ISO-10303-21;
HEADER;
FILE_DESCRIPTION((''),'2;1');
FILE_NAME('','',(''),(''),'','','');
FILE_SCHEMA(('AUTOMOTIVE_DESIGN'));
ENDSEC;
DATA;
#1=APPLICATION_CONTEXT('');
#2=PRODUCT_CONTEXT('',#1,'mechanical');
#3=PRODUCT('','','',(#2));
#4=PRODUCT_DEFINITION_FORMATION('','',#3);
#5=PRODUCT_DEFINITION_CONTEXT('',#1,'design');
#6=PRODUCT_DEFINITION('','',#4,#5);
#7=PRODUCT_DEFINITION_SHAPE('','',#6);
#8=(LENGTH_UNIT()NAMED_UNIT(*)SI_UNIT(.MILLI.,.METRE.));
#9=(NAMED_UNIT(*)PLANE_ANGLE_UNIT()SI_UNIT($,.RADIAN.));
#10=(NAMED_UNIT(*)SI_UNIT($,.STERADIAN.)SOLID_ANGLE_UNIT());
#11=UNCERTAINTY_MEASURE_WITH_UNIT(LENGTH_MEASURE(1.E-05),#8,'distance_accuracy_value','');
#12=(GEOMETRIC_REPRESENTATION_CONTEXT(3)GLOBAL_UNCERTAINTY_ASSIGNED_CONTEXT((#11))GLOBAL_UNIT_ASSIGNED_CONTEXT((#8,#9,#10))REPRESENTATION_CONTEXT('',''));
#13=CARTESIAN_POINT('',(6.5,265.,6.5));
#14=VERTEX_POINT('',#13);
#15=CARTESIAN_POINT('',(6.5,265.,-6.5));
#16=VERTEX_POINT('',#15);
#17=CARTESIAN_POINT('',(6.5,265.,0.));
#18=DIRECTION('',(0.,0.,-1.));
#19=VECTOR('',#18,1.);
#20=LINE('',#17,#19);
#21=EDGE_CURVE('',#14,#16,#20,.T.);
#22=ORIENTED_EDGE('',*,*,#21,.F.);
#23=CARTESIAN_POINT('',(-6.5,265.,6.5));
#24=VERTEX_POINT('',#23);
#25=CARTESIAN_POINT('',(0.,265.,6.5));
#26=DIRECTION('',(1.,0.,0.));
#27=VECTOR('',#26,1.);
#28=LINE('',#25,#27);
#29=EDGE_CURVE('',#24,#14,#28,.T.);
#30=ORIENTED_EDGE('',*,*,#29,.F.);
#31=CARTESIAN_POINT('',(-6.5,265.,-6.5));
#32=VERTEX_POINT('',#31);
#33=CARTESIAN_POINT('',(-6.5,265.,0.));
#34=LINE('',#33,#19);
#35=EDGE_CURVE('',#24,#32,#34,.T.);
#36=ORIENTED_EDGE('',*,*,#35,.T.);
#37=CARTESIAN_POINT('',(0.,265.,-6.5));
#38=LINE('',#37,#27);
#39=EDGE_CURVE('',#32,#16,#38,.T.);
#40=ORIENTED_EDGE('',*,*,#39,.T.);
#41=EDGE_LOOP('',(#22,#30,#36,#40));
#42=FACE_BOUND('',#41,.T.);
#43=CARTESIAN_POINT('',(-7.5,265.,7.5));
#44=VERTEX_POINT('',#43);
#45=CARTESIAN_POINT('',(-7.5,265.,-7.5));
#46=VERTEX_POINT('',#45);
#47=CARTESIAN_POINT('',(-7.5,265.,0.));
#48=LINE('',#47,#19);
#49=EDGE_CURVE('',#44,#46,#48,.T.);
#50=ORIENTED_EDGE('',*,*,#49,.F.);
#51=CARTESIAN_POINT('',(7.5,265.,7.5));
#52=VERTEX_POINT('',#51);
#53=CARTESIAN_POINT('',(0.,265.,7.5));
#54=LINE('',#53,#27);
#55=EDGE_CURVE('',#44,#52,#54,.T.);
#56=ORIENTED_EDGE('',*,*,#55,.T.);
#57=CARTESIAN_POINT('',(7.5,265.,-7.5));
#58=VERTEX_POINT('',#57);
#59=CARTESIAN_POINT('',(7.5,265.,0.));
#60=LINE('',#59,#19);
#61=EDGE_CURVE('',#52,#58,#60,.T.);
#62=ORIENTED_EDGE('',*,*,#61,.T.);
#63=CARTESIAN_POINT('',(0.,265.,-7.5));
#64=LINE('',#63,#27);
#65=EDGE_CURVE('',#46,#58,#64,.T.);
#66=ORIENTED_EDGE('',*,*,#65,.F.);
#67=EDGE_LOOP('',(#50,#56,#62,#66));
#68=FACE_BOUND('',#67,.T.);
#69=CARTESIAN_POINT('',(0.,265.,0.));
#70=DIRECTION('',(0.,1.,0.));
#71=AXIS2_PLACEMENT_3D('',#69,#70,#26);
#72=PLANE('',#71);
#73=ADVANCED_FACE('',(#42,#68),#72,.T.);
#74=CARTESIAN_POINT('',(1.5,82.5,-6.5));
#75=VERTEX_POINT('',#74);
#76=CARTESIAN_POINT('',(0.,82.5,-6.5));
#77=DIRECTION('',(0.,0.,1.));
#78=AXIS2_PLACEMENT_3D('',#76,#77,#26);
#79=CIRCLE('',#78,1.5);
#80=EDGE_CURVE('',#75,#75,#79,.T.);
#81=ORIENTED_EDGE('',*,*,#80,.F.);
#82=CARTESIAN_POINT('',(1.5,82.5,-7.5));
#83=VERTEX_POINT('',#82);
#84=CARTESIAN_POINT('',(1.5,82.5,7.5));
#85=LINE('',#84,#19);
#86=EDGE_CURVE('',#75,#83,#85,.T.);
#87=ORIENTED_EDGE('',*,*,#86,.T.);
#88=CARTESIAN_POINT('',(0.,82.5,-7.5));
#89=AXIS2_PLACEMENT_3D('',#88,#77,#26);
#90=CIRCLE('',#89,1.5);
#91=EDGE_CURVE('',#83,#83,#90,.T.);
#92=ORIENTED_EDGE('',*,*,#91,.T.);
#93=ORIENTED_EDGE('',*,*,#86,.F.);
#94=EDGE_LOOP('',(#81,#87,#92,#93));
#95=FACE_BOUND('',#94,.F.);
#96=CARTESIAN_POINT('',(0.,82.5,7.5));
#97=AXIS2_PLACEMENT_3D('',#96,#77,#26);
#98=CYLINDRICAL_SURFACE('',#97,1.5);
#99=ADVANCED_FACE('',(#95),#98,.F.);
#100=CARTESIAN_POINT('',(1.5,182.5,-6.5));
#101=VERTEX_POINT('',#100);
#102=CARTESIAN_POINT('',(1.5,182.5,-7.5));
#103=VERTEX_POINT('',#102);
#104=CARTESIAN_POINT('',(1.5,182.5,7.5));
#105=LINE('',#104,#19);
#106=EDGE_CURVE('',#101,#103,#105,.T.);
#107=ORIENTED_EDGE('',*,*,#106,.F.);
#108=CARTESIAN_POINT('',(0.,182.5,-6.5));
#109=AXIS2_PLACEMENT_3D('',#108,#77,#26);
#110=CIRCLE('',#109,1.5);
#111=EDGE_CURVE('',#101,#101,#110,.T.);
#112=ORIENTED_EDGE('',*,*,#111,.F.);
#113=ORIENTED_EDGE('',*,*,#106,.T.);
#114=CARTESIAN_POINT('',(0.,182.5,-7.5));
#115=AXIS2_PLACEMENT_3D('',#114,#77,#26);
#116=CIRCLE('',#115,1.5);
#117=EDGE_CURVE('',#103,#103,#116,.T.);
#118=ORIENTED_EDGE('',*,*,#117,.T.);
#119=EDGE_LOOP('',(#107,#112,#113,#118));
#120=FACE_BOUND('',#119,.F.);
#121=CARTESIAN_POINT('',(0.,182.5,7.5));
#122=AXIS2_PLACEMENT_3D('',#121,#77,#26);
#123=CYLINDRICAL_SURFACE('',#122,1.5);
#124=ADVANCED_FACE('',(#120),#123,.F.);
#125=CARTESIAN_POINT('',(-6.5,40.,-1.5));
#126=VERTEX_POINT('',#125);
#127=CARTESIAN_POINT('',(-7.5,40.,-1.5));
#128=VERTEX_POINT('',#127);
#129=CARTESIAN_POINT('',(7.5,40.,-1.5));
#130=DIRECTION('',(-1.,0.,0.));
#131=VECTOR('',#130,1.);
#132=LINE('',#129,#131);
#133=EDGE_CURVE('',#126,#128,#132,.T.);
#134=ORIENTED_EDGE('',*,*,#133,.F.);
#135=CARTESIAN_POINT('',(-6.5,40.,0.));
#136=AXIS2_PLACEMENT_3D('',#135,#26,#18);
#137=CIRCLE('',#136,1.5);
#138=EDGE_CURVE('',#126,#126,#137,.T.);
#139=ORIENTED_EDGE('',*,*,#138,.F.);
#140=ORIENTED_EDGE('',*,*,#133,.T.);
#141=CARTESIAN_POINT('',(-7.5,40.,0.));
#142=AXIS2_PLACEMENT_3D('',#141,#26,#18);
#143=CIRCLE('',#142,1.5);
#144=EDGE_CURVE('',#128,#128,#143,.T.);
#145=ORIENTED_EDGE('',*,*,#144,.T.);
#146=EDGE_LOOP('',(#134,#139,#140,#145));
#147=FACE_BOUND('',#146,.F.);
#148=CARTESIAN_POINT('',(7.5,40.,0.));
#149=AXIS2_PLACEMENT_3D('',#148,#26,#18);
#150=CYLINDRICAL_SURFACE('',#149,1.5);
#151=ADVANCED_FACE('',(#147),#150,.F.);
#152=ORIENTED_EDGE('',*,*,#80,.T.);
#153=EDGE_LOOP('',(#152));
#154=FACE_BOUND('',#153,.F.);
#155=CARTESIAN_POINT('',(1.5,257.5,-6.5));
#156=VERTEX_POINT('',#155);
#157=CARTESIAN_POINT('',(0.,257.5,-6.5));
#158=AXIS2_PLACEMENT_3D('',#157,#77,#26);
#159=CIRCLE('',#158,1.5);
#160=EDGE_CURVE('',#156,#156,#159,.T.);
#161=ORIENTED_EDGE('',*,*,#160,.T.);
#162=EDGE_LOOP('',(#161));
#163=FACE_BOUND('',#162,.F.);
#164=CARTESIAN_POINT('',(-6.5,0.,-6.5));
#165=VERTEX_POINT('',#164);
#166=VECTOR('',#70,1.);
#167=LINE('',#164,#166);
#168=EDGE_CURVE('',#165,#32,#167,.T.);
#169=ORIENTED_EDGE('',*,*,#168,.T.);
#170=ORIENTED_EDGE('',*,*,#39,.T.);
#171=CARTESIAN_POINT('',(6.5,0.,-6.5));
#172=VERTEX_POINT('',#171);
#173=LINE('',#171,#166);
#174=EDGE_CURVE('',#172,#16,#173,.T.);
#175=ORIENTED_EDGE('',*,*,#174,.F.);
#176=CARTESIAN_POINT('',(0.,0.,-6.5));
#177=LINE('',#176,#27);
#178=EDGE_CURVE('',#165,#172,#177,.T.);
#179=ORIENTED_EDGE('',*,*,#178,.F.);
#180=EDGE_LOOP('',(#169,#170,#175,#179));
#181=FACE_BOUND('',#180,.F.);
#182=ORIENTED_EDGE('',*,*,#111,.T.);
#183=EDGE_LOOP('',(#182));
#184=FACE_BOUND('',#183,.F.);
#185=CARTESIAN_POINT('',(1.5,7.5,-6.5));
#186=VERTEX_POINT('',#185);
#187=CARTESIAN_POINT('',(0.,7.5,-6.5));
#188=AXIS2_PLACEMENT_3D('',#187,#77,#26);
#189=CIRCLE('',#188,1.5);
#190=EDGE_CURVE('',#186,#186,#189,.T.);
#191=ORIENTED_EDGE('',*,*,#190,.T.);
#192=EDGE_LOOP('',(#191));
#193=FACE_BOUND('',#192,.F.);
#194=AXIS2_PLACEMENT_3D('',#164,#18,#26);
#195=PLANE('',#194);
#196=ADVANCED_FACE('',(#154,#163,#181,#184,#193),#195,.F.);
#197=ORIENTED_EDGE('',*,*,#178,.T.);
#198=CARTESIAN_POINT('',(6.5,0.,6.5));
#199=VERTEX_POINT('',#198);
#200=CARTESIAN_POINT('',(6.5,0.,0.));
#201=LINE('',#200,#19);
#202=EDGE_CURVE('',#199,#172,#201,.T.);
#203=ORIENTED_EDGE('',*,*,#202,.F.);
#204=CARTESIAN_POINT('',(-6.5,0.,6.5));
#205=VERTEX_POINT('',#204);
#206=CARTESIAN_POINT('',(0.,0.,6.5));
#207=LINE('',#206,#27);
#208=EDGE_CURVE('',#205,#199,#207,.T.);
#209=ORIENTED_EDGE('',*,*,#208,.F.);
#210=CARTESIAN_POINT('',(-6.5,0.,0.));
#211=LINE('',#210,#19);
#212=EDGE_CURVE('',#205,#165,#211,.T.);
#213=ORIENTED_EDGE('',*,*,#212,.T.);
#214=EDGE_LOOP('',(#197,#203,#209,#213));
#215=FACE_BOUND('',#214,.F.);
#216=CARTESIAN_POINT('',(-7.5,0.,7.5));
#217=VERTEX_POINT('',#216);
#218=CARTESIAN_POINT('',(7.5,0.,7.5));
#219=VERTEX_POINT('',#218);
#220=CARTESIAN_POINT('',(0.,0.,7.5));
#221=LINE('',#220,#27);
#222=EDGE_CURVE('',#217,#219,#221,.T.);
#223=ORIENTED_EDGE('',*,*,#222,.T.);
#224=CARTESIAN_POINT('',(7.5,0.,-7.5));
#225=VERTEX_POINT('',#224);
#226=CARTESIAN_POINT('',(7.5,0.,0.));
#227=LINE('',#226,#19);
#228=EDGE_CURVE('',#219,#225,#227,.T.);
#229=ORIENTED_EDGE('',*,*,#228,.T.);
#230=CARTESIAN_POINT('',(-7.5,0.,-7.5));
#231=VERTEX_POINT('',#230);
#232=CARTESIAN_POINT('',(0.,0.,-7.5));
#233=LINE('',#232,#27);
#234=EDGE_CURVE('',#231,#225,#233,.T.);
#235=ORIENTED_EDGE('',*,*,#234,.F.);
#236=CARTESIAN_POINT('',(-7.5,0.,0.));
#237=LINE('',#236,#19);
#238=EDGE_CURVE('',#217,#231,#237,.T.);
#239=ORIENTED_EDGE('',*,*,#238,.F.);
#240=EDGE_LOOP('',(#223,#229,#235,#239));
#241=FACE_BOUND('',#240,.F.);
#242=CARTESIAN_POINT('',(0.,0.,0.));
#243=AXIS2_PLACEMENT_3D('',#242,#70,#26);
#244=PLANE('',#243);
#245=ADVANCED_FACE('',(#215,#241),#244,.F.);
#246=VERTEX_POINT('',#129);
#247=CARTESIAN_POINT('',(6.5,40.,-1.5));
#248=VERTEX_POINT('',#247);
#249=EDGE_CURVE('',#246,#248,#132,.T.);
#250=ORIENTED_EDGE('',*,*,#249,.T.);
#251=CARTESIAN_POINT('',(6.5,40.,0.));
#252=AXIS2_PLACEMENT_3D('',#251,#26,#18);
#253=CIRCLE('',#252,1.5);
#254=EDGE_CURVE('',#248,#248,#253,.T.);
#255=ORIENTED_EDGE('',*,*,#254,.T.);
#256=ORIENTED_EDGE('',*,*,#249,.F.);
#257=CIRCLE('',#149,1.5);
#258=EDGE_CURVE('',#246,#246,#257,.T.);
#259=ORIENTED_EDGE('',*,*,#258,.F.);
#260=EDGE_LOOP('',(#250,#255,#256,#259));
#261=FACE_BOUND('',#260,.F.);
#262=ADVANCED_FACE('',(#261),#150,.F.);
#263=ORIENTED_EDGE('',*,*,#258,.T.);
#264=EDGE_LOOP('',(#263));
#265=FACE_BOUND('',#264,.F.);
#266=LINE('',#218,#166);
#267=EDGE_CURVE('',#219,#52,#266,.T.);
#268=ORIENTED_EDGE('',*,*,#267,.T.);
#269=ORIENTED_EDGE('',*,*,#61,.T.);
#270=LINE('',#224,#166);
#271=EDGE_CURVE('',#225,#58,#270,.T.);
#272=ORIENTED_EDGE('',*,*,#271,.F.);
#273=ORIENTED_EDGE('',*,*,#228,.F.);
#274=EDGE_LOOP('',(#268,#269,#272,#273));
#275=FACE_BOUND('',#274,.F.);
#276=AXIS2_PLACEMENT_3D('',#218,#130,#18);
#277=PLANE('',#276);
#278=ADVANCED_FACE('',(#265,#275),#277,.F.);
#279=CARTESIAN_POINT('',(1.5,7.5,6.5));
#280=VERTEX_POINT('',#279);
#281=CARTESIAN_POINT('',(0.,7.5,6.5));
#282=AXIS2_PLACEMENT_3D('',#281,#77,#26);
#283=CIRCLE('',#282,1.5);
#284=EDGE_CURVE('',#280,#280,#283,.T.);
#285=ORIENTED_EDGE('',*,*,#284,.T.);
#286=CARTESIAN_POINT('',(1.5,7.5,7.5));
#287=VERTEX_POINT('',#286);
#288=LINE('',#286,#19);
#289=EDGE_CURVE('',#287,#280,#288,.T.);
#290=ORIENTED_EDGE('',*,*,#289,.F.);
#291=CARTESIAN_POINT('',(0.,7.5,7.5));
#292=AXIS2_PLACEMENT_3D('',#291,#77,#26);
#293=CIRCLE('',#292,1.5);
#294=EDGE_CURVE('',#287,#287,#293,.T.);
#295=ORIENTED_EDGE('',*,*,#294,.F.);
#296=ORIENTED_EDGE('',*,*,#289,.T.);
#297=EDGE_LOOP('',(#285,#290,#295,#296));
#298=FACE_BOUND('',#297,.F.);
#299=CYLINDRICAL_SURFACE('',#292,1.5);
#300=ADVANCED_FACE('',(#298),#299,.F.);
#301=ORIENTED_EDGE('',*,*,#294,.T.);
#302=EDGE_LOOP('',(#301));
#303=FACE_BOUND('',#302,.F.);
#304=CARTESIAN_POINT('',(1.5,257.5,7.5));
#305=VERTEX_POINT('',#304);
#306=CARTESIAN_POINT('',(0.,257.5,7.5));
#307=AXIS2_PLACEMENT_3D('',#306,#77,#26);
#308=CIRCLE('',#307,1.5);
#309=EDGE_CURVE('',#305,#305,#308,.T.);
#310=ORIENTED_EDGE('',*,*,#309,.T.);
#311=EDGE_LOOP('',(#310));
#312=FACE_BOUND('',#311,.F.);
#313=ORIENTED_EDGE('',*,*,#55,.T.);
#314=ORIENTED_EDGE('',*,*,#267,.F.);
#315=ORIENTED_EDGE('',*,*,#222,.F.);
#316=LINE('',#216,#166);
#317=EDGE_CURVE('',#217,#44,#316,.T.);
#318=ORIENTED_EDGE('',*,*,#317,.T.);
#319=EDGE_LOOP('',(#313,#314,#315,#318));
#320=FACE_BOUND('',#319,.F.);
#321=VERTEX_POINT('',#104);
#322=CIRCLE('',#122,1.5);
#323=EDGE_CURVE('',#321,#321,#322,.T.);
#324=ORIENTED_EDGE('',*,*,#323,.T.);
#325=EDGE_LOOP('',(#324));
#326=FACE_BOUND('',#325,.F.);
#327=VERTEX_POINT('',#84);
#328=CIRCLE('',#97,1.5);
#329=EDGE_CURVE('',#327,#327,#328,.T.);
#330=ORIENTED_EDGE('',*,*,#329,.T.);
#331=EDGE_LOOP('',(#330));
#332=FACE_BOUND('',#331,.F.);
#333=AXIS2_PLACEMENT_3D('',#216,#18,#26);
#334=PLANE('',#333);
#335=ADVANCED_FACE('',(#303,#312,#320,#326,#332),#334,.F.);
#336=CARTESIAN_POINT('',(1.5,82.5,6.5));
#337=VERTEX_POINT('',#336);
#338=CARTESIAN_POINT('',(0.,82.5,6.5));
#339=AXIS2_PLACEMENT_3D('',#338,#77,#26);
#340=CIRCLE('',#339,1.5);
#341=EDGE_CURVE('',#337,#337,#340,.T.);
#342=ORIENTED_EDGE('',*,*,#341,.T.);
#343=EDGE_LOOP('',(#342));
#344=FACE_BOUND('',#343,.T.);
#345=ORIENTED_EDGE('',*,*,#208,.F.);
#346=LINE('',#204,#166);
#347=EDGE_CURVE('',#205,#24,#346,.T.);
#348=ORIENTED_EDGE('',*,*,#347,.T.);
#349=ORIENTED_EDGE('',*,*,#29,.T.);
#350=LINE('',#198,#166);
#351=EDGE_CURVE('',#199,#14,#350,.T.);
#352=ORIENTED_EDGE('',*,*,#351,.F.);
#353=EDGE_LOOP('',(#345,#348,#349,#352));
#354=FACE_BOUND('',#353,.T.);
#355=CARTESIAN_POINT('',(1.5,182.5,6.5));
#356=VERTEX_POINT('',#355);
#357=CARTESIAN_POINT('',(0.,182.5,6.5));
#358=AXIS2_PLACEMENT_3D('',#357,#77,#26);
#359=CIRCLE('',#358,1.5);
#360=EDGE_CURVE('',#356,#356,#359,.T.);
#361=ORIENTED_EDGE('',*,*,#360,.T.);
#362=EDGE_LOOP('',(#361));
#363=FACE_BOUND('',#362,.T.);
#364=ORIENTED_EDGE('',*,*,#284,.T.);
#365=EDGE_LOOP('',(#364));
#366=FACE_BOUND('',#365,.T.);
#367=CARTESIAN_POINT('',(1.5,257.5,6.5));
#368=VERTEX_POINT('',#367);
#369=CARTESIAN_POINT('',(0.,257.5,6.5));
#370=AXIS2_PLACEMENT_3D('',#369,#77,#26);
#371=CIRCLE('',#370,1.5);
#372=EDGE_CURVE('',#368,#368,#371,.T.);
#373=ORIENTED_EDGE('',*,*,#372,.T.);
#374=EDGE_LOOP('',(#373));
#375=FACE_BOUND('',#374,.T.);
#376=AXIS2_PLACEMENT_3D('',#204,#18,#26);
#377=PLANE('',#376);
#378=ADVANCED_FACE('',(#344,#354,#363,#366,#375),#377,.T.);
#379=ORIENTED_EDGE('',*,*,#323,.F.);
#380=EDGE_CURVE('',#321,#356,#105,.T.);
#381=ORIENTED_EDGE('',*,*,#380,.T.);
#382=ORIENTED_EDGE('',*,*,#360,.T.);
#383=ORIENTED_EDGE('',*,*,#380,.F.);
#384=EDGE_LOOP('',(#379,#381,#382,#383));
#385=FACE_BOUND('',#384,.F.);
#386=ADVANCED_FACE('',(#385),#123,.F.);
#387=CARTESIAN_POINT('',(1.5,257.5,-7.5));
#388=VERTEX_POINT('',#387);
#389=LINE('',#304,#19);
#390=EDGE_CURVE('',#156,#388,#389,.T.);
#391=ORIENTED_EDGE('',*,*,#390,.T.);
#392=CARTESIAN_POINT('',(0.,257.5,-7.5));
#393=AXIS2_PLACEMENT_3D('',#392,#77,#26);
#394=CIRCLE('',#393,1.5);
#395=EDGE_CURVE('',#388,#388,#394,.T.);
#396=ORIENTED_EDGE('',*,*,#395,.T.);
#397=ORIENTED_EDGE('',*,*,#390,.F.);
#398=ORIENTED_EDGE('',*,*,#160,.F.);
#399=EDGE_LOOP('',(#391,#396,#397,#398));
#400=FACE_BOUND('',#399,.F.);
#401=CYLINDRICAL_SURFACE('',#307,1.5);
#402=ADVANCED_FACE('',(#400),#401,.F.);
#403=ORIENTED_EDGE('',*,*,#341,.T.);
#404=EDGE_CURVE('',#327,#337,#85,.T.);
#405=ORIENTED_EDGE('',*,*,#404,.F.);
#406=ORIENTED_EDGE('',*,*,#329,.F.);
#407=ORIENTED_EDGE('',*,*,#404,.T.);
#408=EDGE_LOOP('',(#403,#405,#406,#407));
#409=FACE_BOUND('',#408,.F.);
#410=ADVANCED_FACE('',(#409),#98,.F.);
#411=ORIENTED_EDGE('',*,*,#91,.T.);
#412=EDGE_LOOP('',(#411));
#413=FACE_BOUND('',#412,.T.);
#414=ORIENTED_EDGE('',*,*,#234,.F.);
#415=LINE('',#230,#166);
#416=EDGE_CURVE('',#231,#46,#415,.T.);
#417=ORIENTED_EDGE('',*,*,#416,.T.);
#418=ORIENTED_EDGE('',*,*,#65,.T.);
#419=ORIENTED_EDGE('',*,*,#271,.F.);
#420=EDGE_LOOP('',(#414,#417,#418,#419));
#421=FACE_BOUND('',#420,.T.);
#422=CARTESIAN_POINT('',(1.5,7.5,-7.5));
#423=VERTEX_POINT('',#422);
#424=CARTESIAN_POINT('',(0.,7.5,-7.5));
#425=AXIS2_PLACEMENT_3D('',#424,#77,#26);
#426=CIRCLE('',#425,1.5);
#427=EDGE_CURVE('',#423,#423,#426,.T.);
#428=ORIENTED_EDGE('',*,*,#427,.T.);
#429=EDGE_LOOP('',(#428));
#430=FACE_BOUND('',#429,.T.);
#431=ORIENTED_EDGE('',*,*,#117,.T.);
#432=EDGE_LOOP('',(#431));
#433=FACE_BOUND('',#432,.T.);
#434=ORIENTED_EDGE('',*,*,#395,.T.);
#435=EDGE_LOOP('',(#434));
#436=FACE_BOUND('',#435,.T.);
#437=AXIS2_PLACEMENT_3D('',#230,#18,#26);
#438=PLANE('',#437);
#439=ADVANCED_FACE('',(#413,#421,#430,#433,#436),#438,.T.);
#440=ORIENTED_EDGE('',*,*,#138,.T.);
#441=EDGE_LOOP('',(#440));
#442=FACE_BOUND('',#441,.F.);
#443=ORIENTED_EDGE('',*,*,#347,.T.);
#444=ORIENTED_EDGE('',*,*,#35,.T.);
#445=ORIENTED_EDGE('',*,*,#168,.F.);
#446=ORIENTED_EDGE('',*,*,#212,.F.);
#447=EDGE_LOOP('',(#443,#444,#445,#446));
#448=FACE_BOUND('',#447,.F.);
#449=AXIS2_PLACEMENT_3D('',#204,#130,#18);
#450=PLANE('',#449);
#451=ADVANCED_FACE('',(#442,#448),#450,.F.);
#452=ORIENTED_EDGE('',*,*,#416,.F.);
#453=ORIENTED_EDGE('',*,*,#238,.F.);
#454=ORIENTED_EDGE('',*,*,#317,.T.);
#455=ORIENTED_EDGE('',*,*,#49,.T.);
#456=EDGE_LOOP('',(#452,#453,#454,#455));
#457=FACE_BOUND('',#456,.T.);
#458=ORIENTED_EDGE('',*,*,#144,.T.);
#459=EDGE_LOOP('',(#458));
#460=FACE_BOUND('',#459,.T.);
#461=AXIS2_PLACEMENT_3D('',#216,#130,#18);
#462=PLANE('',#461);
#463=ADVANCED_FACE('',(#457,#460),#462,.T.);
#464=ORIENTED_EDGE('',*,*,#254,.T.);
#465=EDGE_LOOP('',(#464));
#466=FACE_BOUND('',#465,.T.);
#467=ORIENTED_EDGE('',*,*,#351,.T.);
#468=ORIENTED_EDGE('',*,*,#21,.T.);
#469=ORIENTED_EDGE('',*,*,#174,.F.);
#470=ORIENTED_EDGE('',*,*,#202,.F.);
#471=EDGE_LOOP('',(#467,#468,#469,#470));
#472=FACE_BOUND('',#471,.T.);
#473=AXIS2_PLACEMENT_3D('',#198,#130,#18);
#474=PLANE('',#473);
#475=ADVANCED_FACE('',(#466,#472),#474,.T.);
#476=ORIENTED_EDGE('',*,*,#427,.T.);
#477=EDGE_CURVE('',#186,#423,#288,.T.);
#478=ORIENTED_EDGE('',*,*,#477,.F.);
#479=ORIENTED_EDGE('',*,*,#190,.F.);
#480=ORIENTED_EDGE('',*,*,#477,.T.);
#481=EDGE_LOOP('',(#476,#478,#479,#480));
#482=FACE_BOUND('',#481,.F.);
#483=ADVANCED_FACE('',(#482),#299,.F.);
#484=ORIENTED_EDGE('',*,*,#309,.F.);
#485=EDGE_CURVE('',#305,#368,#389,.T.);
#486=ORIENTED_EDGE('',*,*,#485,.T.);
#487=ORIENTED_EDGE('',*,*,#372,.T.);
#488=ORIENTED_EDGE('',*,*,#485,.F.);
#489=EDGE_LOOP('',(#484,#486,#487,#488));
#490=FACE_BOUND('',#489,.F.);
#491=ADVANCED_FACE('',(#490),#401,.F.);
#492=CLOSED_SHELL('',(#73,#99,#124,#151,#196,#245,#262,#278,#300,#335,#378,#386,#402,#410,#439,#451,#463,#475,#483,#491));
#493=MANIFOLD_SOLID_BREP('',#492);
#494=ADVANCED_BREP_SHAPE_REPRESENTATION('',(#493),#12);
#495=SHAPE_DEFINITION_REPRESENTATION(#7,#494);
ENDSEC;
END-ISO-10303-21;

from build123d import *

# Parameters (mm, degrees)
SKETCH_1_W          = 15
SKETCH_1_H          = 15
SKETCH_1_W_2        = 13
SKETCH_1_H_2        = 13
EXTRUDE_1_DEPTH     = 265
SKETCH_2_R          = 1.5
CUT_EXTRUDE_1_DEPTH = 266.530130117
SKETCH_3_R          = 1.5
CUT_EXTRUDE_2_DEPTH = 266.530130117


with BuildPart() as part:
    # 草图1 → 凸台-拉伸1 (new body)
    with BuildSketch(Plane(origin=(0, 0, 0), x_dir=(1, 0, 0), z_dir=(0, 1, 0))):
        Rectangle(SKETCH_1_W, SKETCH_1_H)
        Rectangle(SKETCH_1_W_2, SKETCH_1_H_2, mode=Mode.SUBTRACT)
    extrude(amount=EXTRUDE_1_DEPTH)

    # 草图2 → 切除-拉伸1 (cut, through all)
    with BuildSketch(Plane.XY.offset(7.5)):
        with Locations((0, 7.5)):
            Circle(SKETCH_2_R)
        with Locations((0, 257.5)):
            Circle(SKETCH_2_R)
        with Locations((0, 182.5)):
            Circle(SKETCH_2_R)
        with Locations((0, 82.5)):
            Circle(SKETCH_2_R)
    extrude(amount=-CUT_EXTRUDE_1_DEPTH, mode=Mode.SUBTRACT)

    # 草图3 → 切除-拉伸2 (cut, through all)
    with BuildSketch(Plane(origin=(7.5, 0, 0), x_dir=(0, 0, -1), z_dir=(1, 0, 0))):
        with Locations((0, 40)):
            Circle(SKETCH_3_R)
    extrude(amount=-CUT_EXTRUDE_2_DEPTH, mode=Mode.SUBTRACT)


solid = part.part
